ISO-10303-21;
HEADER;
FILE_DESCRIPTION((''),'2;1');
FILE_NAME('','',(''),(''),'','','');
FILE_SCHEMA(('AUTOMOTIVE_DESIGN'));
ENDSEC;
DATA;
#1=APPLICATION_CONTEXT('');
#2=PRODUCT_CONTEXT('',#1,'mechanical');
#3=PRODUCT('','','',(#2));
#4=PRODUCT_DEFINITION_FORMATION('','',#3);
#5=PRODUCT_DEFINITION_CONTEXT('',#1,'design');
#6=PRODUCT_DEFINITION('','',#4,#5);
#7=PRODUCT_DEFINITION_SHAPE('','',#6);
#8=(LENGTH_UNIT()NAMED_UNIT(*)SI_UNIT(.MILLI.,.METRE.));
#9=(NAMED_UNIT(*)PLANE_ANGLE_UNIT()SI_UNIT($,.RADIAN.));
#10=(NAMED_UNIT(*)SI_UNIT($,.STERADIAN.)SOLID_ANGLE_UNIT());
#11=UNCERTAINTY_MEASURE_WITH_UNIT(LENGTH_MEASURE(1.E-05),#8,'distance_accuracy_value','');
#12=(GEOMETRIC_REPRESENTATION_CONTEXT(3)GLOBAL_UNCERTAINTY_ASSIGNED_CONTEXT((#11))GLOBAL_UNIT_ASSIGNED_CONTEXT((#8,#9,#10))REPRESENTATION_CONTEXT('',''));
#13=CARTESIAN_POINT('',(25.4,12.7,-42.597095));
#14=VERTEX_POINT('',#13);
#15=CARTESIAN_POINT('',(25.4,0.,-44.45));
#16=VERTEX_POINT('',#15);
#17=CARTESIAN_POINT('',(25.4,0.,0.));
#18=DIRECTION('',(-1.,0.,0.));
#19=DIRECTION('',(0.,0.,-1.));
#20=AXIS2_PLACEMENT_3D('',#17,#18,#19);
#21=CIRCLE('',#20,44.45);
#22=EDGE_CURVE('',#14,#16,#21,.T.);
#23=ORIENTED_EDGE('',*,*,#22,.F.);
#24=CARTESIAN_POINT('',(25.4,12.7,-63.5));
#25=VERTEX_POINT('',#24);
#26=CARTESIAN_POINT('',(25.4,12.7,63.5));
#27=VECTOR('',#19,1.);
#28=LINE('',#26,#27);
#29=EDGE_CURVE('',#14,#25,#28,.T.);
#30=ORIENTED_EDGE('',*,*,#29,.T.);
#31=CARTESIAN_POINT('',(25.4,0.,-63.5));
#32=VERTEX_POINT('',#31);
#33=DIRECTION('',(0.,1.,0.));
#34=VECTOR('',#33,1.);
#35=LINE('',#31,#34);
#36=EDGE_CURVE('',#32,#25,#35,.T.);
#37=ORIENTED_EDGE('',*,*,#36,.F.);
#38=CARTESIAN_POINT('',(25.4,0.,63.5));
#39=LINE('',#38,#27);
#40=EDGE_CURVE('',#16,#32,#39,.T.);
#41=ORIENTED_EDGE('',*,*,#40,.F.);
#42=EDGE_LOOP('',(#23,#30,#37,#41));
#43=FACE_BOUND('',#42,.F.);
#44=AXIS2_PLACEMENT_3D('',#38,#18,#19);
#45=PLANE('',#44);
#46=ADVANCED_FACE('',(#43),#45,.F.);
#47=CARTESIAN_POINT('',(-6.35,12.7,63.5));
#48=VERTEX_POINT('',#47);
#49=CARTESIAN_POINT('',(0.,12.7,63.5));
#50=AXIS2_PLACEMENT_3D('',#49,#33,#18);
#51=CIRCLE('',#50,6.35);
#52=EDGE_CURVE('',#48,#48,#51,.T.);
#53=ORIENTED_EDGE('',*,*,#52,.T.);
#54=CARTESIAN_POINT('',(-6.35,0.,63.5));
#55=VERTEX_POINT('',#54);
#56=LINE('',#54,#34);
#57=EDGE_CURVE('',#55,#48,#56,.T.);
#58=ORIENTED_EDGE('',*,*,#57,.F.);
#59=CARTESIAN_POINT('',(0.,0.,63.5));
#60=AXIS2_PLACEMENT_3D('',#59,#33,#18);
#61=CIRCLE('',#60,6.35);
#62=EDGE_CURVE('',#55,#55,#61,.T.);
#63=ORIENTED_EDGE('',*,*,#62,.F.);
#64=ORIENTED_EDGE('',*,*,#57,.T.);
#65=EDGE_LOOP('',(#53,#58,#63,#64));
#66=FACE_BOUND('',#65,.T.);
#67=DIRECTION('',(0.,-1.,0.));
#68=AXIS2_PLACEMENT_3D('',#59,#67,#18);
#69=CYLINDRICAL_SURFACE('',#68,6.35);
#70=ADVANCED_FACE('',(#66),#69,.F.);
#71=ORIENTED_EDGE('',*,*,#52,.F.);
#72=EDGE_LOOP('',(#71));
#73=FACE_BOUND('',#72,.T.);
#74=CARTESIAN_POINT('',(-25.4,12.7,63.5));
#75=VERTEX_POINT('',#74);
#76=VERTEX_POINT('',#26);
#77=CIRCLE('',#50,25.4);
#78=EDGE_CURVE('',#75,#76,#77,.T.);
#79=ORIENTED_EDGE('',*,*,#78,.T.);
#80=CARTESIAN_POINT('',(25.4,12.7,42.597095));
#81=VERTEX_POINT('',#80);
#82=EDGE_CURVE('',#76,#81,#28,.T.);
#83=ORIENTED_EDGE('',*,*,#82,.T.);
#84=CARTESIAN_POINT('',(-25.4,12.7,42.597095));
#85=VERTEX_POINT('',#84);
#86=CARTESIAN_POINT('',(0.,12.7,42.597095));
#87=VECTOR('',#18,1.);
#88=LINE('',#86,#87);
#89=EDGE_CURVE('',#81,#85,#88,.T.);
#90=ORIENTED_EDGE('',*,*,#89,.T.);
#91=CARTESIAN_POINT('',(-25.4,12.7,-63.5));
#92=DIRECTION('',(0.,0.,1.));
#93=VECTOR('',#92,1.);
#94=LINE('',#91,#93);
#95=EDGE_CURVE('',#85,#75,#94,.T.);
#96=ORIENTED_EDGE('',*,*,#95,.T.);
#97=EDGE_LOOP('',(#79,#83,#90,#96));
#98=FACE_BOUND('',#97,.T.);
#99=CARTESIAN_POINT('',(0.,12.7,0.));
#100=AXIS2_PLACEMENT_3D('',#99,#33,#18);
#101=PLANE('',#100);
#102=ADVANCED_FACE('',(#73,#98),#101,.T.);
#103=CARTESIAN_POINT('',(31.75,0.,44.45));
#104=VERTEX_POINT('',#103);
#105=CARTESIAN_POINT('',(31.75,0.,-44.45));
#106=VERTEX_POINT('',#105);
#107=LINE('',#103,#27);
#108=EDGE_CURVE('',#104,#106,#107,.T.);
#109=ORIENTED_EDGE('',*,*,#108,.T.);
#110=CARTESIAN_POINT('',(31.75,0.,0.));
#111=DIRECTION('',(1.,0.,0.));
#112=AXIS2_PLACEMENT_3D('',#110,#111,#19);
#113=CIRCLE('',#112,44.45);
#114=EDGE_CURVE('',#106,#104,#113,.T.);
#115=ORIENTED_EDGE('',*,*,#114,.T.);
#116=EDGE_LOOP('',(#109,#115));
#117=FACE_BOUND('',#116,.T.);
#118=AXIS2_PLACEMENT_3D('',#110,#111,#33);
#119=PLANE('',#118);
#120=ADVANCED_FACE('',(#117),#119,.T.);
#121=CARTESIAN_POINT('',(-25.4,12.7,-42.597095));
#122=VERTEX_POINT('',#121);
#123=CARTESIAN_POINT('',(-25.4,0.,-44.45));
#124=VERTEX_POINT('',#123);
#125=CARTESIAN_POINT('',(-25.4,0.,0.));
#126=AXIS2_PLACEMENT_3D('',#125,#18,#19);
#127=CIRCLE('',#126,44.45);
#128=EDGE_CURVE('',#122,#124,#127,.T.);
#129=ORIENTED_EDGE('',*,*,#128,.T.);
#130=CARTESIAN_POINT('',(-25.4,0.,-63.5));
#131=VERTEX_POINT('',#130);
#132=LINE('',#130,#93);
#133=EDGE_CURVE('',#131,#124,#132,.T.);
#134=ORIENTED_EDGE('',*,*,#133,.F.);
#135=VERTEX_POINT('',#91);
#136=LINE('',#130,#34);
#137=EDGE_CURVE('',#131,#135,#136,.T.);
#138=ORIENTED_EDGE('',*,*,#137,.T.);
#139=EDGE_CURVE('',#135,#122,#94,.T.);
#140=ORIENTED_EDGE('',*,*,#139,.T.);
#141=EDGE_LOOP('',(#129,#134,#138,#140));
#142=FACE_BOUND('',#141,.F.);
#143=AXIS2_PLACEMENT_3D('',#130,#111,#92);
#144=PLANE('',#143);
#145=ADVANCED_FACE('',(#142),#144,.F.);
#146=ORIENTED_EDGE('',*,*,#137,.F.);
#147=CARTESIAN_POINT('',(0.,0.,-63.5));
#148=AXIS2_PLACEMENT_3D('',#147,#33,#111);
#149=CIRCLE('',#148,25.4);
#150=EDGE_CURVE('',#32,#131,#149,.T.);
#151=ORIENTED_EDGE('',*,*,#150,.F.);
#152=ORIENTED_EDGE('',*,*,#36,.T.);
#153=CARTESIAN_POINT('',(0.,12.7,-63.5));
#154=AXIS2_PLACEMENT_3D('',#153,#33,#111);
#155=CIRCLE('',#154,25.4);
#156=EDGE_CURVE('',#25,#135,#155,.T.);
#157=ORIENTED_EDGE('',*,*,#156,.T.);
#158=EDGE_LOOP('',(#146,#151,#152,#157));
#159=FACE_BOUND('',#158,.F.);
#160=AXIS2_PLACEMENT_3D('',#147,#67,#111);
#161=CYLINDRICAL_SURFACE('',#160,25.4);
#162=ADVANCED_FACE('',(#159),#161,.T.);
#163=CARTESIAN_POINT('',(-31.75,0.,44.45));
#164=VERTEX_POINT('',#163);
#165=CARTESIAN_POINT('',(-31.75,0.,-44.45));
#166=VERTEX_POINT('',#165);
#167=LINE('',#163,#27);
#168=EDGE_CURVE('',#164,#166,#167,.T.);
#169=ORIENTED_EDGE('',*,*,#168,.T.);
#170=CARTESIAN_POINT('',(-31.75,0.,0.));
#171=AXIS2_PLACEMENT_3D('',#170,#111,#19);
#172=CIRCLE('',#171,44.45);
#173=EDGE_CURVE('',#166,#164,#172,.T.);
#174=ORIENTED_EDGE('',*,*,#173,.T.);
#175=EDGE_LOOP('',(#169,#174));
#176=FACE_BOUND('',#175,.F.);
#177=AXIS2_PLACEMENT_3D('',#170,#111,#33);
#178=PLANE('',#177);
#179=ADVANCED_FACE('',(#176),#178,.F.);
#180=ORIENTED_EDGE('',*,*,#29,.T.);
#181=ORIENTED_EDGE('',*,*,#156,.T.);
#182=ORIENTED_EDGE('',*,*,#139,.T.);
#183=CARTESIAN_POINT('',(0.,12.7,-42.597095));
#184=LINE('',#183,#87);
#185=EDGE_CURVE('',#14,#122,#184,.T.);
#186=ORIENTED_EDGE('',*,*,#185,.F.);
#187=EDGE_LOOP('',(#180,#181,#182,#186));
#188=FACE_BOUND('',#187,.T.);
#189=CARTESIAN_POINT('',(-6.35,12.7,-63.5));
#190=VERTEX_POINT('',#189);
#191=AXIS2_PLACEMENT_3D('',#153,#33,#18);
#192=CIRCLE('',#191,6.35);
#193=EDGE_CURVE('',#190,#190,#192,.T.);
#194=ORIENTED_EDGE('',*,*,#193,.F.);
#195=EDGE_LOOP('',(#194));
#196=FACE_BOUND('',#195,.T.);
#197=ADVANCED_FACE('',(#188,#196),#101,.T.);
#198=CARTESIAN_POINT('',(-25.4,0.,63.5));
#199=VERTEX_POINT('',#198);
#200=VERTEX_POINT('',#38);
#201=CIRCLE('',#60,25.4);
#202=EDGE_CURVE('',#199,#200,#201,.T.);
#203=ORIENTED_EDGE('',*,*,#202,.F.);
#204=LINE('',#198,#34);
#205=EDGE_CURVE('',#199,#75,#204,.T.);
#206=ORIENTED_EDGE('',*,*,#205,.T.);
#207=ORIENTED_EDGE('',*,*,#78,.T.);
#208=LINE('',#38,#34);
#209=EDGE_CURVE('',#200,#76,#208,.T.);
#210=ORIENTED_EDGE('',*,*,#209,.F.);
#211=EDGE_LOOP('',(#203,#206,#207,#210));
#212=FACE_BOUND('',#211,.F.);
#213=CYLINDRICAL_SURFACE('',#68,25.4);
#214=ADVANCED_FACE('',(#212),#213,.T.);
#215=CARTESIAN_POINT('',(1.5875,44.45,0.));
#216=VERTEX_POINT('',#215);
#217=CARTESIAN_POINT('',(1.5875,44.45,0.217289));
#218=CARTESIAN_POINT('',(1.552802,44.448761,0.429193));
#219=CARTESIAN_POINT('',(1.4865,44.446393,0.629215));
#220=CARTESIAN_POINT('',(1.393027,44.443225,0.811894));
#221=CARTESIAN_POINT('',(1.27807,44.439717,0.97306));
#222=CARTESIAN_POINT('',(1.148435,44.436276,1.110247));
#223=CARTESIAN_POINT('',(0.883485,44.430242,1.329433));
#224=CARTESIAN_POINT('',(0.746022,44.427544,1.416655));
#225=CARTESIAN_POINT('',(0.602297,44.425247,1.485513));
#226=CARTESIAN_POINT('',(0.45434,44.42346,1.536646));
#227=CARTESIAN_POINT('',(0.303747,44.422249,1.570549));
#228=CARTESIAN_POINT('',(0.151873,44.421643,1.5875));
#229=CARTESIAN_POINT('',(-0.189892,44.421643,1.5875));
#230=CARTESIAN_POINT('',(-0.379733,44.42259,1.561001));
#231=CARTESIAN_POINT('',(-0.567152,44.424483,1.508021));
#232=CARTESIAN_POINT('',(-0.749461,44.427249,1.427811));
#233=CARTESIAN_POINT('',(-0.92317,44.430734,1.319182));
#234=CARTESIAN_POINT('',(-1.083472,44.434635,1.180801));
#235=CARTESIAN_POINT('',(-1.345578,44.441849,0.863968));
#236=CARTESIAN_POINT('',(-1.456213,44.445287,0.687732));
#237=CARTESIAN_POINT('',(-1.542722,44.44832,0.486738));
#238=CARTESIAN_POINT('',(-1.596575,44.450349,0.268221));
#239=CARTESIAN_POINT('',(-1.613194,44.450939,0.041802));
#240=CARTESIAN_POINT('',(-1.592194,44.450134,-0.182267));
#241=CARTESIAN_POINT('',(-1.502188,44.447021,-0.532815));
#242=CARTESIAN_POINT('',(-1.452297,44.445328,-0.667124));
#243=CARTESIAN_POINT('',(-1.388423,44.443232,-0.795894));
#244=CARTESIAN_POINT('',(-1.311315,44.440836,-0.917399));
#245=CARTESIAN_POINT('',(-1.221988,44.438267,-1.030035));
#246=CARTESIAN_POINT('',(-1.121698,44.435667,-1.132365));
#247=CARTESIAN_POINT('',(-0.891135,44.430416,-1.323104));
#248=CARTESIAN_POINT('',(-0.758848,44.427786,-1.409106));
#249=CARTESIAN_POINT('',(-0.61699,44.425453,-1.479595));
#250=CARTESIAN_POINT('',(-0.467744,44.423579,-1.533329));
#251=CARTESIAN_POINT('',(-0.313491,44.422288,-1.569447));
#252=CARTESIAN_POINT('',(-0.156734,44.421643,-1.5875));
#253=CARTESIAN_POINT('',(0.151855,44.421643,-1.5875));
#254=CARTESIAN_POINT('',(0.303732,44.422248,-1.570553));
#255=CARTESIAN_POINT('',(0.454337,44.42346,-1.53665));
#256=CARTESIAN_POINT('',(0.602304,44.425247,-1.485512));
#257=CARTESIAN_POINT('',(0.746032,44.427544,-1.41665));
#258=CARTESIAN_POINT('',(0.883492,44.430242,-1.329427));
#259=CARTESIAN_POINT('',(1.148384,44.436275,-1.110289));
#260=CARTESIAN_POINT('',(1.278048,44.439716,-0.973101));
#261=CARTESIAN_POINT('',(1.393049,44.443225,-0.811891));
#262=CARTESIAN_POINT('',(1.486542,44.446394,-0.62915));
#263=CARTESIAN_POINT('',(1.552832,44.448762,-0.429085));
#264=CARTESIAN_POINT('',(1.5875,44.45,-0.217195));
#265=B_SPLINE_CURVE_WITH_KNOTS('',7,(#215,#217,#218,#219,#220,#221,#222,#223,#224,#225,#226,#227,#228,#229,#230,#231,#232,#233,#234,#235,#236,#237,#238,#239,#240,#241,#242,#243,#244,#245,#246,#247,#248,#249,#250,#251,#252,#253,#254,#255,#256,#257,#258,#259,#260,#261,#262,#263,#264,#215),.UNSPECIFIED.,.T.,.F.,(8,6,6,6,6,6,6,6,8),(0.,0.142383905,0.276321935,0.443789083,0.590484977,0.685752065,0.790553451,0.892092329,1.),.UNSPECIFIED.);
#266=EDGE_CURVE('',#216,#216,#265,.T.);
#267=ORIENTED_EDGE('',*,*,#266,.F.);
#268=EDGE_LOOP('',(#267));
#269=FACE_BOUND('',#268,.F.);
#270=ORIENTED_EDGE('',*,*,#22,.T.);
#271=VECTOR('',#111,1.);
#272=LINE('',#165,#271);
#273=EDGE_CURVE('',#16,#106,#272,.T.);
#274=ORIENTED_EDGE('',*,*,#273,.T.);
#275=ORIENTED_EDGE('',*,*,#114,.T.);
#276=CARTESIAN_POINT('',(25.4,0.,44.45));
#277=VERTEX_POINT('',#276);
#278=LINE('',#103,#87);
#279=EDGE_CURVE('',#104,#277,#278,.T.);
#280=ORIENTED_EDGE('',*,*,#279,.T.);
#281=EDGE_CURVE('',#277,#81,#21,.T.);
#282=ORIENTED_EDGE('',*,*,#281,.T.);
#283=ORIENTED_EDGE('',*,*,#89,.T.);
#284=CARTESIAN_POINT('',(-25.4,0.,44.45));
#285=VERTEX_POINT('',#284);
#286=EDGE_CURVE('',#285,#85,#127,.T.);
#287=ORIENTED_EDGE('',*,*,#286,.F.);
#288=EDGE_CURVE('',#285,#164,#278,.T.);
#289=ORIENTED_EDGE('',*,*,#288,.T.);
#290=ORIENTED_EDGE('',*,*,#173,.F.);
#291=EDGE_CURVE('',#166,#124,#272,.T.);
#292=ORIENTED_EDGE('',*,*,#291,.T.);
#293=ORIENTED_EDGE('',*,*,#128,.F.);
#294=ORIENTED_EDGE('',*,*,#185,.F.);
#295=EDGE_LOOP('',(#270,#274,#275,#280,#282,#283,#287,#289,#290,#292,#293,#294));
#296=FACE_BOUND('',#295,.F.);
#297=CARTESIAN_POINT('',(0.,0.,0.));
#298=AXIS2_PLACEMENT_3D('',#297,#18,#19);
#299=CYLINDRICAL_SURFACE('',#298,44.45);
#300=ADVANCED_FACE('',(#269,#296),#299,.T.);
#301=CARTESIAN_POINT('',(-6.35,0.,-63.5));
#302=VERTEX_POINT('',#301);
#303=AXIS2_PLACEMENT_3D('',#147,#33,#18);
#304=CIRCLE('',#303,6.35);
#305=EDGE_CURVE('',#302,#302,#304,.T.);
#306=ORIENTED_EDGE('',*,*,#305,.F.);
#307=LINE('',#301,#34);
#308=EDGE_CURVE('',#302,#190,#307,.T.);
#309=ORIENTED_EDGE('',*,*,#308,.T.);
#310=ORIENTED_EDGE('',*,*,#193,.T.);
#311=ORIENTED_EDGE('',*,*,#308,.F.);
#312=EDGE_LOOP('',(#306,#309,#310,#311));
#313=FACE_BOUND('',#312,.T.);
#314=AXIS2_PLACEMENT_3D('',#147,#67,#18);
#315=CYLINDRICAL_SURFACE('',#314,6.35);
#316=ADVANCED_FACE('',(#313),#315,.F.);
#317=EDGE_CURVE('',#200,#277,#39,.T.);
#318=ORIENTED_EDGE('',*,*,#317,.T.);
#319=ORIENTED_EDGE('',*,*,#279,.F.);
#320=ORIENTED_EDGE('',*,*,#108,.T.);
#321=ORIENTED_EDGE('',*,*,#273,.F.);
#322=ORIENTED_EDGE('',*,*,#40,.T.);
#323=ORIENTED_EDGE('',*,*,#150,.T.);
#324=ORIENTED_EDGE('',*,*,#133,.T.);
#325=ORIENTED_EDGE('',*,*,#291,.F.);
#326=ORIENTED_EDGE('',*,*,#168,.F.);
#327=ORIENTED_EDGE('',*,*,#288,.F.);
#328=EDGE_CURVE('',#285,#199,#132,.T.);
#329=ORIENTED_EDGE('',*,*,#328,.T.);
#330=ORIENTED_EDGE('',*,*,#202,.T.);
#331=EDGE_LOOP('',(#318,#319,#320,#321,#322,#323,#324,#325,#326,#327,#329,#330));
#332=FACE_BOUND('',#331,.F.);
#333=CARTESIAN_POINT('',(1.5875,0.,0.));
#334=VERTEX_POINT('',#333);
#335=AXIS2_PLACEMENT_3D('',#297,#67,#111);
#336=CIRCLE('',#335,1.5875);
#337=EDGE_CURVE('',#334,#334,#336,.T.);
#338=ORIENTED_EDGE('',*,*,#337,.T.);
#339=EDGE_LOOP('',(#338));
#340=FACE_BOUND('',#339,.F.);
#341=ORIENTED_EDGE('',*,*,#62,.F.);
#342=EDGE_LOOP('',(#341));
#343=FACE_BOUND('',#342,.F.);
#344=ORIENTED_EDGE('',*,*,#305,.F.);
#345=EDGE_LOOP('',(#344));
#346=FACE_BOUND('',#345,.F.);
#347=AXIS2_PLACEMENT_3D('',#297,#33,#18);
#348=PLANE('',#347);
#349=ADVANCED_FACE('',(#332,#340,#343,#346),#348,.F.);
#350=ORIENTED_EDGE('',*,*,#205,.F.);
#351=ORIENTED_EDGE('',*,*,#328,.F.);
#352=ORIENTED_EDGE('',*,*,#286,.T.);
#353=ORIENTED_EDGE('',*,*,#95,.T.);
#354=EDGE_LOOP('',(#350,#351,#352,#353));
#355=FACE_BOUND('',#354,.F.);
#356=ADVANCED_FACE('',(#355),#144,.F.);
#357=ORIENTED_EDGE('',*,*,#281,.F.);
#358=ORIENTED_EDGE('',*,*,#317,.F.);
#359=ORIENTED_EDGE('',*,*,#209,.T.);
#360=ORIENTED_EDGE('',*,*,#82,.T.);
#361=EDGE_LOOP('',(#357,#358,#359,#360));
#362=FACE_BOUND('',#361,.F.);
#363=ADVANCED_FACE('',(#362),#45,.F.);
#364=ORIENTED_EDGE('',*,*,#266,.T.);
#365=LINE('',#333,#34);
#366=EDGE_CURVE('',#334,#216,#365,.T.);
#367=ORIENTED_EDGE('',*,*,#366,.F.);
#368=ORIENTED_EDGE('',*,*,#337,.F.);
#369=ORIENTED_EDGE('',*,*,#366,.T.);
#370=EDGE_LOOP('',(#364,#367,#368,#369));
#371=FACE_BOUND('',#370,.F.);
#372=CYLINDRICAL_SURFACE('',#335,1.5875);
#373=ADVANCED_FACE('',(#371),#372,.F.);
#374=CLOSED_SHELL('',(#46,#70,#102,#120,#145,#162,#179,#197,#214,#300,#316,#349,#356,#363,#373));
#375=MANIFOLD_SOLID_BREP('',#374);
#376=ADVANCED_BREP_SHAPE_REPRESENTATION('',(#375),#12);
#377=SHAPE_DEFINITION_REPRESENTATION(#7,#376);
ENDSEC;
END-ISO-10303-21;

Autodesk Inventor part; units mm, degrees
ref_plane "YZ Plane" through (0, 0, 0) normal (1, 0, 0) x (0, 1, 0)
ref_plane "XZ Plane" through (0, 0, 0) normal (0, 1, 0) x (-1, 0, 0)
ref_plane "XY Plane" through (0, 0, 0) normal (0, 0, 1) x (1, 0, 0)
sketch "Sketch1" plane through (0, 0, 0) normal (0, 1, 0) x (-1, 0, 0)
  line L0 (0, 63.5) -> (0, -63.5) construction
  line L1 (-25.4, 63.5) -> (-25.4, -63.5)
  line L2 (25.4, -63.5) -> (25.4, 63.5)
  arc A0 (25.4, 63.5) -> (-25.4, 63.5) centre (0, 63.5) ccw
  arc A1 (-25.4, -63.5) -> (25.4, -63.5) centre (0, -63.5) ccw
  circle A2 centre (0, 63.5) radius 6.35
  circle A3 centre (0, -63.5) radius 6.35
  point P0 (0, 0)
  dimension "d0" = 127
  dimension "d1" = 25.4
  dimension "d2" = 12.7
extrude "Extrusion1" add sketch "Sketch1" along normal blind 12.7
sketch "Sketch2" plane through (0, 0, 0) normal (1, 0, 0) x (0, 1, 0)
  arc A0 (0, -44.45) -> (0, 44.45) centre (0, 0) ccw
  line L0 (0, 44.45) -> (0, -44.45)
  line L1 (0, 63.5) -> (0, -63.5) projected
  dimension "d5" = 44.45
extrude "Extrusion2" add sketch "Sketch2" along normal mid plane 63.5
sketch "Sketch3" plane through (31.75, 0, 0) normal (1, 0, 0) x (0, 0, -1)
  line L0 (-25.4, 0) -> (25.4, 0)
  line L1 (25.4, 0) -> (25.4, 19.05)
  line L2 (25.4, 19.05) -> (-25.4, 19.05)
  line L3 (-25.4, 19.05) -> (-25.4, 0)
  point P0 (0, 0)
  point P1 (0, 19.05)
  point P2 (0, 0)
  dimension "d8" = 50.8
  dimension "d9" = 19.05
extrude "rectCut" [suppressed]
sketch "Sketch4" plane through (31.75, 0, -25.4) normal (0, -1, 0) x (1, 0, 0)
  circle A0 centre (-31.75, 25.4) radius 1.5875
  dimension "d12" = 3.175
extrude ".125Hole" cut sketch "Sketch4" against normal through all
sketch "Sketch5" plane through (31.75, 0, 0) normal (1, 0, 0) x (0, 0, -1)
  arc A0 (31.75, 0) -> (-31.75, 0) centre (0, 0) ccw
  line L0 (31.75, 0) -> (-31.75, 0)
  dimension "d15" = 31.75
extrude "circCut" [suppressed]
properties part number "ch7-parent"
